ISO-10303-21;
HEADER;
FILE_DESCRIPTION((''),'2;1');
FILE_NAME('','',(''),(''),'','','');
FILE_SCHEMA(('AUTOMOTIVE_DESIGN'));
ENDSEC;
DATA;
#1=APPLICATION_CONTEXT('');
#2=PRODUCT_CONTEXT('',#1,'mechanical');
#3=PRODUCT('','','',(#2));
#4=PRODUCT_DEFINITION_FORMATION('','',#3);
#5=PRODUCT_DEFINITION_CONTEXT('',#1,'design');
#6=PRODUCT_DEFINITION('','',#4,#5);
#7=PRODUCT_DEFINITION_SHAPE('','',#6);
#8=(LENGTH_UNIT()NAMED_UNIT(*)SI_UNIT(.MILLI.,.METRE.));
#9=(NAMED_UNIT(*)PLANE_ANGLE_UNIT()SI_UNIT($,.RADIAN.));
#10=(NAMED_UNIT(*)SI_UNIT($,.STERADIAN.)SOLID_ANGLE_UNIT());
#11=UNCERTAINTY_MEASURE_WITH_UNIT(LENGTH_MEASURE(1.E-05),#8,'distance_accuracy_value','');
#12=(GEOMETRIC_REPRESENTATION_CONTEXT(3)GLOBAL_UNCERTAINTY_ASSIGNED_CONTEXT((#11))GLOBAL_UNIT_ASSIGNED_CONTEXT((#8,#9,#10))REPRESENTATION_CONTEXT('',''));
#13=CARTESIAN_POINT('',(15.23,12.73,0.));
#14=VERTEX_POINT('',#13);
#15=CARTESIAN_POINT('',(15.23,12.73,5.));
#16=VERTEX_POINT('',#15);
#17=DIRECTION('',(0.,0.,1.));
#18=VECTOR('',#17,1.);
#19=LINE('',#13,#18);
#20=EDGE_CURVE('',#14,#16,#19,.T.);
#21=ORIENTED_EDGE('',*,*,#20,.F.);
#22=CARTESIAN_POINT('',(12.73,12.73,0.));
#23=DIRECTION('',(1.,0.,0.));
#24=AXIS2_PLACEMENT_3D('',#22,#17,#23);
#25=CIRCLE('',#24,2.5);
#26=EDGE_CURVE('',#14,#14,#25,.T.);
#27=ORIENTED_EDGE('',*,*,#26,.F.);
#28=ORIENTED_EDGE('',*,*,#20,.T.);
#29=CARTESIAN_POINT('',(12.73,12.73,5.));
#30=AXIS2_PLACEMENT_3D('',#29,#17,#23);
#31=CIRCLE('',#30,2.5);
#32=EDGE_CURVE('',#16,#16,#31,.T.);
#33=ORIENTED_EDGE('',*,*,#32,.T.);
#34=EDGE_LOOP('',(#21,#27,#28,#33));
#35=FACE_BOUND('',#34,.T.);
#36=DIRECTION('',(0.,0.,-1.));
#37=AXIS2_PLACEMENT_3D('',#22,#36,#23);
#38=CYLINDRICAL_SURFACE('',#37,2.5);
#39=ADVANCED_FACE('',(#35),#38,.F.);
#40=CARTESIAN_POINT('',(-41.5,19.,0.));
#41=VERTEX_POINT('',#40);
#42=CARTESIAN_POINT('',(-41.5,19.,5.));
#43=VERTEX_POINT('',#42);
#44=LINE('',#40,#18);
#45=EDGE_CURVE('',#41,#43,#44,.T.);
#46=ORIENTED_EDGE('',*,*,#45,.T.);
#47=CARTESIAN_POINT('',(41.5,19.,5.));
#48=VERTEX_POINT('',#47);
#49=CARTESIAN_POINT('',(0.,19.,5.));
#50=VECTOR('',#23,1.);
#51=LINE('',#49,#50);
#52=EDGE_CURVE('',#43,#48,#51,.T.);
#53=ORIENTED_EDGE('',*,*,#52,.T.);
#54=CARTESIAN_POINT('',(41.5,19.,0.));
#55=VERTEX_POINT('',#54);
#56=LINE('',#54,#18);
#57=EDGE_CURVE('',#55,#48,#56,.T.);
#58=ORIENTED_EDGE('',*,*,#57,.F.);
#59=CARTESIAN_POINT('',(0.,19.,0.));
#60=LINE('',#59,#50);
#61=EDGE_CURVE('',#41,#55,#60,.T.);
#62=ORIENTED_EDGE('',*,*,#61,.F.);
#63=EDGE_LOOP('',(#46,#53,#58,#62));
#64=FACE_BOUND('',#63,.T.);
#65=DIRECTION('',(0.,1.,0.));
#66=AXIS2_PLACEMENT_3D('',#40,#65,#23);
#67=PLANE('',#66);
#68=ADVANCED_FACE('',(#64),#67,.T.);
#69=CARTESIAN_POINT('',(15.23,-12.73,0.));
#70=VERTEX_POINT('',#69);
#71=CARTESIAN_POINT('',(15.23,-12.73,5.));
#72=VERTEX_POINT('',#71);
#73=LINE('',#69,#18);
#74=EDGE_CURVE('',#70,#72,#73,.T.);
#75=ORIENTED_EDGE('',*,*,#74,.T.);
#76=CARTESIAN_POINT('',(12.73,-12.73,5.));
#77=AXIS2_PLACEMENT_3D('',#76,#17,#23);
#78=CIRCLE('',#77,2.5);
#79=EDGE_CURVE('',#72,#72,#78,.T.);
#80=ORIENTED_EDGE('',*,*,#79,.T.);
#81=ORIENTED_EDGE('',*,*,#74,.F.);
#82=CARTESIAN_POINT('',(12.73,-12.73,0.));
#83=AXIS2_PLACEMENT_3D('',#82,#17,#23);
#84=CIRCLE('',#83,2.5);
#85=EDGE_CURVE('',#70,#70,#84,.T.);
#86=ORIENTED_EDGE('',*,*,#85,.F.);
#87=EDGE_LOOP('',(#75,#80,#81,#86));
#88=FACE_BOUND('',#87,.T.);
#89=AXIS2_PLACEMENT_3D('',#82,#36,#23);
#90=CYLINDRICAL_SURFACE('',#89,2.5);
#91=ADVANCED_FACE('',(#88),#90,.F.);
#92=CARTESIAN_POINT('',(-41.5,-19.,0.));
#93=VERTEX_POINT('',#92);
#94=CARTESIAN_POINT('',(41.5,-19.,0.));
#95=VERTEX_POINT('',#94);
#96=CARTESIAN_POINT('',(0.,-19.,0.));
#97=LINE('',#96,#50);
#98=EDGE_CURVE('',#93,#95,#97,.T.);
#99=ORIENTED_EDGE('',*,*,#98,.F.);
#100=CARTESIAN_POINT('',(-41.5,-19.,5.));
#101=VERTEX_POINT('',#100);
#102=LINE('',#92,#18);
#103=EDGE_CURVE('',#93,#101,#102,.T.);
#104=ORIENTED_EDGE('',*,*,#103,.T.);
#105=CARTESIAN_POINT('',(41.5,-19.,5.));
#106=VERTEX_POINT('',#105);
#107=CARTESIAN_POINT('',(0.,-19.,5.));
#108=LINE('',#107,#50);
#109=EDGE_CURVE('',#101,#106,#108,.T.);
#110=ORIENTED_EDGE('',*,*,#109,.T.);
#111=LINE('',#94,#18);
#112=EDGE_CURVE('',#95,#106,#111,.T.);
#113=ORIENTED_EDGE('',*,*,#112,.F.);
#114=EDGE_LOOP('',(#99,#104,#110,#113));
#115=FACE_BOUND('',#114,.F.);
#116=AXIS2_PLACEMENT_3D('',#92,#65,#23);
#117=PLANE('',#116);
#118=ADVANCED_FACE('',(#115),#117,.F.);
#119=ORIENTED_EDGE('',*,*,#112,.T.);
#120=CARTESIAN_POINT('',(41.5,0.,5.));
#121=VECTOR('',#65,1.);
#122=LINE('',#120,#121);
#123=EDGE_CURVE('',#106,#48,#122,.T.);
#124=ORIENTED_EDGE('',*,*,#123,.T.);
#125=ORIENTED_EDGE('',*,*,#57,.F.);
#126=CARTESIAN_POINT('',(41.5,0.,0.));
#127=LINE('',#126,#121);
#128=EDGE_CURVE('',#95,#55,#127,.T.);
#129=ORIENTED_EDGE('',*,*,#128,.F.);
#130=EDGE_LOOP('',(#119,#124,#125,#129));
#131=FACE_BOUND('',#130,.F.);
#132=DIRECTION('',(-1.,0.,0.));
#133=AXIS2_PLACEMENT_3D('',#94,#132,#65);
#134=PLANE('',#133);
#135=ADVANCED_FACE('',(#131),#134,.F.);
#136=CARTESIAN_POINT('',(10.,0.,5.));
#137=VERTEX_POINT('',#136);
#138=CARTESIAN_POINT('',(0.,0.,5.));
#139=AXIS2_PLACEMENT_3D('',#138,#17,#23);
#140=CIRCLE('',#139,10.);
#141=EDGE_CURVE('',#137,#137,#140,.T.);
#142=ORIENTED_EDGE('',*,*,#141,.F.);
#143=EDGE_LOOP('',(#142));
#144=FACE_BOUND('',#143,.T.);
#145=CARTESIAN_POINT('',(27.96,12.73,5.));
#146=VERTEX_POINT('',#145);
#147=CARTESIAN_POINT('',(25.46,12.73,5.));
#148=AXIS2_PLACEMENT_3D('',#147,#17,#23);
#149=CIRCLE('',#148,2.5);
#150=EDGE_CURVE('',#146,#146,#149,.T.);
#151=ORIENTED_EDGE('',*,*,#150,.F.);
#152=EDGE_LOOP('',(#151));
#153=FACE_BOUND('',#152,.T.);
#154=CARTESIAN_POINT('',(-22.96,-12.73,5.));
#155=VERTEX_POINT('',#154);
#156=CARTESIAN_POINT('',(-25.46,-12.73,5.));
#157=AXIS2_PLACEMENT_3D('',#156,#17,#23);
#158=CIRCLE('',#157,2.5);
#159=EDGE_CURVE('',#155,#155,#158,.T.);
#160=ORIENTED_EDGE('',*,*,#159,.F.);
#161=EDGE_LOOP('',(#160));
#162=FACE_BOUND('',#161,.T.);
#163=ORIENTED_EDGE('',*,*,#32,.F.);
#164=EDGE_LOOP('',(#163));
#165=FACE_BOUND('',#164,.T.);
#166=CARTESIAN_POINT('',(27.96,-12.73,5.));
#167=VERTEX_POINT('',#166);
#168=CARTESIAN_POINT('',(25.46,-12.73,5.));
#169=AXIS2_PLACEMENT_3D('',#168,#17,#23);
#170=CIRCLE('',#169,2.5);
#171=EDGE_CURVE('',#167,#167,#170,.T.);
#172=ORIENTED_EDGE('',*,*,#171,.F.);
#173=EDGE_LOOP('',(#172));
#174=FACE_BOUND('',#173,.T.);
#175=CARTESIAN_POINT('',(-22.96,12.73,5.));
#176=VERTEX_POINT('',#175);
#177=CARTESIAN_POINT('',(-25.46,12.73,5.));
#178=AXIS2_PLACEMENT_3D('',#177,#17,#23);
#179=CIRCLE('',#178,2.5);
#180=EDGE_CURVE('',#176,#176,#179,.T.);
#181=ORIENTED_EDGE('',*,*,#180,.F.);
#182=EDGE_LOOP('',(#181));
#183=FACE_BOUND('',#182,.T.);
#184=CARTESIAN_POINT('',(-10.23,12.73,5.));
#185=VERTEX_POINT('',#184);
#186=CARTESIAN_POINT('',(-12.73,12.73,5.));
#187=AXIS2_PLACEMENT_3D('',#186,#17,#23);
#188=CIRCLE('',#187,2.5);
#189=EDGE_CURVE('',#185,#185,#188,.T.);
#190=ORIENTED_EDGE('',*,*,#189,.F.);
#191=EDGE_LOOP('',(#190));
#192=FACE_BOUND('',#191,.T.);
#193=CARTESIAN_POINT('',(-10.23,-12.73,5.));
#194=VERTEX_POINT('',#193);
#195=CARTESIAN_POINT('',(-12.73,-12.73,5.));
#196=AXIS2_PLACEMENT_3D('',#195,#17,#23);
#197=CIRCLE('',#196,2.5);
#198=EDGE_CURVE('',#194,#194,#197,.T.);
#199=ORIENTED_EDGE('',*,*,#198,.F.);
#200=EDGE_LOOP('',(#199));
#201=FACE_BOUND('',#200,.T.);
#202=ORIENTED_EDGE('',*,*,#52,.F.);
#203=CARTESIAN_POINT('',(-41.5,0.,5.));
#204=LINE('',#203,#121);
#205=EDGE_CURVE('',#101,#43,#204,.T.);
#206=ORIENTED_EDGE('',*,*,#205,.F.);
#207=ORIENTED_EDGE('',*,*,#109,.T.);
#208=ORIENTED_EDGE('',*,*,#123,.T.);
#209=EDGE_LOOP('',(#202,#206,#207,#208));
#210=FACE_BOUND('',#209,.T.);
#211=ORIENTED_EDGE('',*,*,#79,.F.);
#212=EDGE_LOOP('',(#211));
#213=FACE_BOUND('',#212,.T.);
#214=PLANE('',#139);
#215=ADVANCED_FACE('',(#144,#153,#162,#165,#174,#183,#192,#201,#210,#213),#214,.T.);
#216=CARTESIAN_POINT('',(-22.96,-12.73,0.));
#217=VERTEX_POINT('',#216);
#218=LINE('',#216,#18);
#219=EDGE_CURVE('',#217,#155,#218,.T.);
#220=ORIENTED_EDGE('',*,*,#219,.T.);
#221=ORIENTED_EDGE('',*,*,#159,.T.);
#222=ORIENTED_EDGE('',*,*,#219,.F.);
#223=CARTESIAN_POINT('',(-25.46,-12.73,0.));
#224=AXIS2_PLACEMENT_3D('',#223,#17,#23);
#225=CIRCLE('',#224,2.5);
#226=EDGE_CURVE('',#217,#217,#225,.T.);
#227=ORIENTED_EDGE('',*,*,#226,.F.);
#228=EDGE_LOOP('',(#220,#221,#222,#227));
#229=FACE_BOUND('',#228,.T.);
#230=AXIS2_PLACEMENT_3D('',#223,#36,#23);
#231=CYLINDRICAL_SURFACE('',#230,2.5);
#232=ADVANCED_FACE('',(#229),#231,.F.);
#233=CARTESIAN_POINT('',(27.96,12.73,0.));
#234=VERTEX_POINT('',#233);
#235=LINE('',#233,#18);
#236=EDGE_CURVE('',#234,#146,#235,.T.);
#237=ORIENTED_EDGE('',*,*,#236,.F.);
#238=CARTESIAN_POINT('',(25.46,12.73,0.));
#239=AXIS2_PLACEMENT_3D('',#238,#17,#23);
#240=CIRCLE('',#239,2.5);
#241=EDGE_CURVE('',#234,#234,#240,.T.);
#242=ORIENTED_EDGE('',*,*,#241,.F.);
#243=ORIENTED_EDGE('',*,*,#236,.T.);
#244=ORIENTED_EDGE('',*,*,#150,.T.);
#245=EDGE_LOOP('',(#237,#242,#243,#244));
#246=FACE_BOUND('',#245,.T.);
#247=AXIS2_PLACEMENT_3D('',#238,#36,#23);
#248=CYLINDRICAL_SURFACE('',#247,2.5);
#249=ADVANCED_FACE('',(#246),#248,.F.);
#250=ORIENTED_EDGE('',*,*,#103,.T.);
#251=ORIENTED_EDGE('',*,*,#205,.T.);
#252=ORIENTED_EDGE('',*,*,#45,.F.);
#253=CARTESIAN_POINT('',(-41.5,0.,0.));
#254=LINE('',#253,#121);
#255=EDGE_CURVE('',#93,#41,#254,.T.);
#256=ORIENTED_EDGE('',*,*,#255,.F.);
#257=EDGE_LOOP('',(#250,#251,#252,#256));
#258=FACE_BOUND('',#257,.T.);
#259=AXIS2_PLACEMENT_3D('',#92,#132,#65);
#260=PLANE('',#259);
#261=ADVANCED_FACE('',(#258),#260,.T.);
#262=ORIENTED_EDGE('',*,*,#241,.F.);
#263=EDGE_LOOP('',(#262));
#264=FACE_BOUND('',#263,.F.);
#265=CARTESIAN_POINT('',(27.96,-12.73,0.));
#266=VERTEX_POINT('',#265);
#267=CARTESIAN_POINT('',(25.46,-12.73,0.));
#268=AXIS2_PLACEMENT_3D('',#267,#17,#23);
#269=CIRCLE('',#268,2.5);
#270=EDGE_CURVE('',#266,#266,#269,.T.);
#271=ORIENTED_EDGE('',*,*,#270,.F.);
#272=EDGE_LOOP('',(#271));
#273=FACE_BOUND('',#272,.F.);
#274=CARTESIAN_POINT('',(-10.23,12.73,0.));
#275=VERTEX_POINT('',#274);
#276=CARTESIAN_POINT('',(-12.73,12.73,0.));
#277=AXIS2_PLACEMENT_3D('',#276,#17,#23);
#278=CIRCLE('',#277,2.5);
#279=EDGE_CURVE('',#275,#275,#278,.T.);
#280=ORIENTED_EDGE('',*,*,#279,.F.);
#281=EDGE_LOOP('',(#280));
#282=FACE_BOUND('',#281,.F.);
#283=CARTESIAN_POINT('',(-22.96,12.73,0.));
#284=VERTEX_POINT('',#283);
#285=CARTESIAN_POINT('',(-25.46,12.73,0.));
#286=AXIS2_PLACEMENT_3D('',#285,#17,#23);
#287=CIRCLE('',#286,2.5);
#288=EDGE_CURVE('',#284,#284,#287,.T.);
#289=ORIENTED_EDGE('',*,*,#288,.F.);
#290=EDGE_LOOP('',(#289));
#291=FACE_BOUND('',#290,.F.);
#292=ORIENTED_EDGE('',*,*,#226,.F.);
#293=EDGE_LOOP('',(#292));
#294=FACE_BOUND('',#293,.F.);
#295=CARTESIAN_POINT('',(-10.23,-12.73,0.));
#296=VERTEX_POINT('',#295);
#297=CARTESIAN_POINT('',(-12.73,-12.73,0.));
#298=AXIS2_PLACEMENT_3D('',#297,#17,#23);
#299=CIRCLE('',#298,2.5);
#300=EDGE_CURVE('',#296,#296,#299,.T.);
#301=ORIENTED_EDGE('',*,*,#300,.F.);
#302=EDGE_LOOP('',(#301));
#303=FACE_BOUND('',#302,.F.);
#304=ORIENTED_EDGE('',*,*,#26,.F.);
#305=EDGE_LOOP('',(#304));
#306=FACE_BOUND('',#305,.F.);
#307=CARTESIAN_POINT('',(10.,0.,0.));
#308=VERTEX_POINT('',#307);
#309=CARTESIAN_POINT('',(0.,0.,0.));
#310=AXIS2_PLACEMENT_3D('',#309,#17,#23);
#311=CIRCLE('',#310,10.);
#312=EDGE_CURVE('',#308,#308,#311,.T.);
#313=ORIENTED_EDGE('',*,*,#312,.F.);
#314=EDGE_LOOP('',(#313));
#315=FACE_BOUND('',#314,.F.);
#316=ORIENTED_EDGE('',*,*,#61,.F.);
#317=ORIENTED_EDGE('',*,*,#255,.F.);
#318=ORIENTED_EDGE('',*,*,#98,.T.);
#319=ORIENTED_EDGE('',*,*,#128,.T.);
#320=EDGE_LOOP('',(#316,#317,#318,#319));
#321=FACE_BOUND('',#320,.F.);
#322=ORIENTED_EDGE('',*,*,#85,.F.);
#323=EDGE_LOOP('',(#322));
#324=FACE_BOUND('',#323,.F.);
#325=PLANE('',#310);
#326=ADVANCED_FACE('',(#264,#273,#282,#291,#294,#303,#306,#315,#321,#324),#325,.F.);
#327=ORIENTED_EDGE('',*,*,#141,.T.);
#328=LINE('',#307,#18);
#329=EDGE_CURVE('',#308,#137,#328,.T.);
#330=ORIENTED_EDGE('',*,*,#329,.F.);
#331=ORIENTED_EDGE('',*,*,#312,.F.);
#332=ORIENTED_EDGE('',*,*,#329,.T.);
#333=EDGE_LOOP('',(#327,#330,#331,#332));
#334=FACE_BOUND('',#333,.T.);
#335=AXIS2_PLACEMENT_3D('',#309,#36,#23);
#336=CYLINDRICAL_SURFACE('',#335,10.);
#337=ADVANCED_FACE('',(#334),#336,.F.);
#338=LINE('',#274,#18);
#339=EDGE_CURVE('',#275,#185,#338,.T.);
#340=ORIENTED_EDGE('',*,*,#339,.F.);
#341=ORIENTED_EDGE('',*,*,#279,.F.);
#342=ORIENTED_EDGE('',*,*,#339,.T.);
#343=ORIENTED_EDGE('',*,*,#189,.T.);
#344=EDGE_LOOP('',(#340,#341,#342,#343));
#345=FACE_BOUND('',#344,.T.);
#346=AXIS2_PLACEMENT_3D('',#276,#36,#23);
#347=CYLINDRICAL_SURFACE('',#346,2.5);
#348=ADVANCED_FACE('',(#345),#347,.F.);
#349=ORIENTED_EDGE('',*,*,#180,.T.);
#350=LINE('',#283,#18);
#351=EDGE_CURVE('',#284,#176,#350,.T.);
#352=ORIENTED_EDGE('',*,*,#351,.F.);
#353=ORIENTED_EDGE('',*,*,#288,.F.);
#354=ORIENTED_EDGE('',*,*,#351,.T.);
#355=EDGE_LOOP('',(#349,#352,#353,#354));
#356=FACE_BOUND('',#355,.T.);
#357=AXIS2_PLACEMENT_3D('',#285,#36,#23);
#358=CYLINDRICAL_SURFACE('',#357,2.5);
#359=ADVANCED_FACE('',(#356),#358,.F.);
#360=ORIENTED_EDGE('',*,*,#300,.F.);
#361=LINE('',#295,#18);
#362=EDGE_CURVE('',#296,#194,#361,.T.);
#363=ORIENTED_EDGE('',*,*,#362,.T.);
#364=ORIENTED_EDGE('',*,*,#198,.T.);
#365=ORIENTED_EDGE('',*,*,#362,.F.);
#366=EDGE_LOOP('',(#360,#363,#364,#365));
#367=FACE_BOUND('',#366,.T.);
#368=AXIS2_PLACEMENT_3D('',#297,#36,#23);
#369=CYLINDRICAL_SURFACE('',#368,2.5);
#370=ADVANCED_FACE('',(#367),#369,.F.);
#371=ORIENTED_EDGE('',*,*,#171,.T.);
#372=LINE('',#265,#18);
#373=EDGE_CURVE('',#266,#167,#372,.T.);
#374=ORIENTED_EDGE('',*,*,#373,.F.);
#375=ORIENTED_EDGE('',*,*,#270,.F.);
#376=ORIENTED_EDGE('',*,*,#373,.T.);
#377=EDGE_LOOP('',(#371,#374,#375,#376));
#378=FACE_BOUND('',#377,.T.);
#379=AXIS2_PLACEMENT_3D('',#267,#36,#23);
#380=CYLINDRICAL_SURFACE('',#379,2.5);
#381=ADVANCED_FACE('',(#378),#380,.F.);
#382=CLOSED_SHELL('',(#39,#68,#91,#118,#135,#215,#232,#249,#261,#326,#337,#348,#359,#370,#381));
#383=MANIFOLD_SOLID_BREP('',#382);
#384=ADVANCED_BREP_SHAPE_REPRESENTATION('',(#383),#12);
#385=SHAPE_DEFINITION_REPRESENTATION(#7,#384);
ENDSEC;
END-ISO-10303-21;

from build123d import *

# Parameters (mm, degrees)
F0_W     = 83
F0_H     = 38
F0_R     = 2.5
F0_R_2   = 10
F1_DEPTH = 5


with BuildPart() as f1:
    # F0 (on Top) → F1 (new body)
    with BuildSketch(Plane.XY):
        Rectangle(F0_W, F0_H)
        with Locations((-25.46, -12.73)):
            Circle(F0_R, mode=Mode.SUBTRACT)
        with Locations((-12.73, -12.73)):
            Circle(F0_R, mode=Mode.SUBTRACT)
        with Locations((12.73, -12.73)):
            Circle(F0_R, mode=Mode.SUBTRACT)
        with Locations((25.46, -12.73)):
            Circle(F0_R, mode=Mode.SUBTRACT)
        with Locations((-25.46, 12.73)):
            Circle(F0_R, mode=Mode.SUBTRACT)
        with Locations((-12.73, 12.73)):
            Circle(F0_R, mode=Mode.SUBTRACT)
        Circle(F0_R_2, mode=Mode.SUBTRACT)
        with Locations((12.73, 12.73)):
            Circle(F0_R, mode=Mode.SUBTRACT)
        with Locations((25.46, 12.73)):
            Circle(F0_R, mode=Mode.SUBTRACT)
    extrude(amount=F1_DEPTH)


solid = f1.part
